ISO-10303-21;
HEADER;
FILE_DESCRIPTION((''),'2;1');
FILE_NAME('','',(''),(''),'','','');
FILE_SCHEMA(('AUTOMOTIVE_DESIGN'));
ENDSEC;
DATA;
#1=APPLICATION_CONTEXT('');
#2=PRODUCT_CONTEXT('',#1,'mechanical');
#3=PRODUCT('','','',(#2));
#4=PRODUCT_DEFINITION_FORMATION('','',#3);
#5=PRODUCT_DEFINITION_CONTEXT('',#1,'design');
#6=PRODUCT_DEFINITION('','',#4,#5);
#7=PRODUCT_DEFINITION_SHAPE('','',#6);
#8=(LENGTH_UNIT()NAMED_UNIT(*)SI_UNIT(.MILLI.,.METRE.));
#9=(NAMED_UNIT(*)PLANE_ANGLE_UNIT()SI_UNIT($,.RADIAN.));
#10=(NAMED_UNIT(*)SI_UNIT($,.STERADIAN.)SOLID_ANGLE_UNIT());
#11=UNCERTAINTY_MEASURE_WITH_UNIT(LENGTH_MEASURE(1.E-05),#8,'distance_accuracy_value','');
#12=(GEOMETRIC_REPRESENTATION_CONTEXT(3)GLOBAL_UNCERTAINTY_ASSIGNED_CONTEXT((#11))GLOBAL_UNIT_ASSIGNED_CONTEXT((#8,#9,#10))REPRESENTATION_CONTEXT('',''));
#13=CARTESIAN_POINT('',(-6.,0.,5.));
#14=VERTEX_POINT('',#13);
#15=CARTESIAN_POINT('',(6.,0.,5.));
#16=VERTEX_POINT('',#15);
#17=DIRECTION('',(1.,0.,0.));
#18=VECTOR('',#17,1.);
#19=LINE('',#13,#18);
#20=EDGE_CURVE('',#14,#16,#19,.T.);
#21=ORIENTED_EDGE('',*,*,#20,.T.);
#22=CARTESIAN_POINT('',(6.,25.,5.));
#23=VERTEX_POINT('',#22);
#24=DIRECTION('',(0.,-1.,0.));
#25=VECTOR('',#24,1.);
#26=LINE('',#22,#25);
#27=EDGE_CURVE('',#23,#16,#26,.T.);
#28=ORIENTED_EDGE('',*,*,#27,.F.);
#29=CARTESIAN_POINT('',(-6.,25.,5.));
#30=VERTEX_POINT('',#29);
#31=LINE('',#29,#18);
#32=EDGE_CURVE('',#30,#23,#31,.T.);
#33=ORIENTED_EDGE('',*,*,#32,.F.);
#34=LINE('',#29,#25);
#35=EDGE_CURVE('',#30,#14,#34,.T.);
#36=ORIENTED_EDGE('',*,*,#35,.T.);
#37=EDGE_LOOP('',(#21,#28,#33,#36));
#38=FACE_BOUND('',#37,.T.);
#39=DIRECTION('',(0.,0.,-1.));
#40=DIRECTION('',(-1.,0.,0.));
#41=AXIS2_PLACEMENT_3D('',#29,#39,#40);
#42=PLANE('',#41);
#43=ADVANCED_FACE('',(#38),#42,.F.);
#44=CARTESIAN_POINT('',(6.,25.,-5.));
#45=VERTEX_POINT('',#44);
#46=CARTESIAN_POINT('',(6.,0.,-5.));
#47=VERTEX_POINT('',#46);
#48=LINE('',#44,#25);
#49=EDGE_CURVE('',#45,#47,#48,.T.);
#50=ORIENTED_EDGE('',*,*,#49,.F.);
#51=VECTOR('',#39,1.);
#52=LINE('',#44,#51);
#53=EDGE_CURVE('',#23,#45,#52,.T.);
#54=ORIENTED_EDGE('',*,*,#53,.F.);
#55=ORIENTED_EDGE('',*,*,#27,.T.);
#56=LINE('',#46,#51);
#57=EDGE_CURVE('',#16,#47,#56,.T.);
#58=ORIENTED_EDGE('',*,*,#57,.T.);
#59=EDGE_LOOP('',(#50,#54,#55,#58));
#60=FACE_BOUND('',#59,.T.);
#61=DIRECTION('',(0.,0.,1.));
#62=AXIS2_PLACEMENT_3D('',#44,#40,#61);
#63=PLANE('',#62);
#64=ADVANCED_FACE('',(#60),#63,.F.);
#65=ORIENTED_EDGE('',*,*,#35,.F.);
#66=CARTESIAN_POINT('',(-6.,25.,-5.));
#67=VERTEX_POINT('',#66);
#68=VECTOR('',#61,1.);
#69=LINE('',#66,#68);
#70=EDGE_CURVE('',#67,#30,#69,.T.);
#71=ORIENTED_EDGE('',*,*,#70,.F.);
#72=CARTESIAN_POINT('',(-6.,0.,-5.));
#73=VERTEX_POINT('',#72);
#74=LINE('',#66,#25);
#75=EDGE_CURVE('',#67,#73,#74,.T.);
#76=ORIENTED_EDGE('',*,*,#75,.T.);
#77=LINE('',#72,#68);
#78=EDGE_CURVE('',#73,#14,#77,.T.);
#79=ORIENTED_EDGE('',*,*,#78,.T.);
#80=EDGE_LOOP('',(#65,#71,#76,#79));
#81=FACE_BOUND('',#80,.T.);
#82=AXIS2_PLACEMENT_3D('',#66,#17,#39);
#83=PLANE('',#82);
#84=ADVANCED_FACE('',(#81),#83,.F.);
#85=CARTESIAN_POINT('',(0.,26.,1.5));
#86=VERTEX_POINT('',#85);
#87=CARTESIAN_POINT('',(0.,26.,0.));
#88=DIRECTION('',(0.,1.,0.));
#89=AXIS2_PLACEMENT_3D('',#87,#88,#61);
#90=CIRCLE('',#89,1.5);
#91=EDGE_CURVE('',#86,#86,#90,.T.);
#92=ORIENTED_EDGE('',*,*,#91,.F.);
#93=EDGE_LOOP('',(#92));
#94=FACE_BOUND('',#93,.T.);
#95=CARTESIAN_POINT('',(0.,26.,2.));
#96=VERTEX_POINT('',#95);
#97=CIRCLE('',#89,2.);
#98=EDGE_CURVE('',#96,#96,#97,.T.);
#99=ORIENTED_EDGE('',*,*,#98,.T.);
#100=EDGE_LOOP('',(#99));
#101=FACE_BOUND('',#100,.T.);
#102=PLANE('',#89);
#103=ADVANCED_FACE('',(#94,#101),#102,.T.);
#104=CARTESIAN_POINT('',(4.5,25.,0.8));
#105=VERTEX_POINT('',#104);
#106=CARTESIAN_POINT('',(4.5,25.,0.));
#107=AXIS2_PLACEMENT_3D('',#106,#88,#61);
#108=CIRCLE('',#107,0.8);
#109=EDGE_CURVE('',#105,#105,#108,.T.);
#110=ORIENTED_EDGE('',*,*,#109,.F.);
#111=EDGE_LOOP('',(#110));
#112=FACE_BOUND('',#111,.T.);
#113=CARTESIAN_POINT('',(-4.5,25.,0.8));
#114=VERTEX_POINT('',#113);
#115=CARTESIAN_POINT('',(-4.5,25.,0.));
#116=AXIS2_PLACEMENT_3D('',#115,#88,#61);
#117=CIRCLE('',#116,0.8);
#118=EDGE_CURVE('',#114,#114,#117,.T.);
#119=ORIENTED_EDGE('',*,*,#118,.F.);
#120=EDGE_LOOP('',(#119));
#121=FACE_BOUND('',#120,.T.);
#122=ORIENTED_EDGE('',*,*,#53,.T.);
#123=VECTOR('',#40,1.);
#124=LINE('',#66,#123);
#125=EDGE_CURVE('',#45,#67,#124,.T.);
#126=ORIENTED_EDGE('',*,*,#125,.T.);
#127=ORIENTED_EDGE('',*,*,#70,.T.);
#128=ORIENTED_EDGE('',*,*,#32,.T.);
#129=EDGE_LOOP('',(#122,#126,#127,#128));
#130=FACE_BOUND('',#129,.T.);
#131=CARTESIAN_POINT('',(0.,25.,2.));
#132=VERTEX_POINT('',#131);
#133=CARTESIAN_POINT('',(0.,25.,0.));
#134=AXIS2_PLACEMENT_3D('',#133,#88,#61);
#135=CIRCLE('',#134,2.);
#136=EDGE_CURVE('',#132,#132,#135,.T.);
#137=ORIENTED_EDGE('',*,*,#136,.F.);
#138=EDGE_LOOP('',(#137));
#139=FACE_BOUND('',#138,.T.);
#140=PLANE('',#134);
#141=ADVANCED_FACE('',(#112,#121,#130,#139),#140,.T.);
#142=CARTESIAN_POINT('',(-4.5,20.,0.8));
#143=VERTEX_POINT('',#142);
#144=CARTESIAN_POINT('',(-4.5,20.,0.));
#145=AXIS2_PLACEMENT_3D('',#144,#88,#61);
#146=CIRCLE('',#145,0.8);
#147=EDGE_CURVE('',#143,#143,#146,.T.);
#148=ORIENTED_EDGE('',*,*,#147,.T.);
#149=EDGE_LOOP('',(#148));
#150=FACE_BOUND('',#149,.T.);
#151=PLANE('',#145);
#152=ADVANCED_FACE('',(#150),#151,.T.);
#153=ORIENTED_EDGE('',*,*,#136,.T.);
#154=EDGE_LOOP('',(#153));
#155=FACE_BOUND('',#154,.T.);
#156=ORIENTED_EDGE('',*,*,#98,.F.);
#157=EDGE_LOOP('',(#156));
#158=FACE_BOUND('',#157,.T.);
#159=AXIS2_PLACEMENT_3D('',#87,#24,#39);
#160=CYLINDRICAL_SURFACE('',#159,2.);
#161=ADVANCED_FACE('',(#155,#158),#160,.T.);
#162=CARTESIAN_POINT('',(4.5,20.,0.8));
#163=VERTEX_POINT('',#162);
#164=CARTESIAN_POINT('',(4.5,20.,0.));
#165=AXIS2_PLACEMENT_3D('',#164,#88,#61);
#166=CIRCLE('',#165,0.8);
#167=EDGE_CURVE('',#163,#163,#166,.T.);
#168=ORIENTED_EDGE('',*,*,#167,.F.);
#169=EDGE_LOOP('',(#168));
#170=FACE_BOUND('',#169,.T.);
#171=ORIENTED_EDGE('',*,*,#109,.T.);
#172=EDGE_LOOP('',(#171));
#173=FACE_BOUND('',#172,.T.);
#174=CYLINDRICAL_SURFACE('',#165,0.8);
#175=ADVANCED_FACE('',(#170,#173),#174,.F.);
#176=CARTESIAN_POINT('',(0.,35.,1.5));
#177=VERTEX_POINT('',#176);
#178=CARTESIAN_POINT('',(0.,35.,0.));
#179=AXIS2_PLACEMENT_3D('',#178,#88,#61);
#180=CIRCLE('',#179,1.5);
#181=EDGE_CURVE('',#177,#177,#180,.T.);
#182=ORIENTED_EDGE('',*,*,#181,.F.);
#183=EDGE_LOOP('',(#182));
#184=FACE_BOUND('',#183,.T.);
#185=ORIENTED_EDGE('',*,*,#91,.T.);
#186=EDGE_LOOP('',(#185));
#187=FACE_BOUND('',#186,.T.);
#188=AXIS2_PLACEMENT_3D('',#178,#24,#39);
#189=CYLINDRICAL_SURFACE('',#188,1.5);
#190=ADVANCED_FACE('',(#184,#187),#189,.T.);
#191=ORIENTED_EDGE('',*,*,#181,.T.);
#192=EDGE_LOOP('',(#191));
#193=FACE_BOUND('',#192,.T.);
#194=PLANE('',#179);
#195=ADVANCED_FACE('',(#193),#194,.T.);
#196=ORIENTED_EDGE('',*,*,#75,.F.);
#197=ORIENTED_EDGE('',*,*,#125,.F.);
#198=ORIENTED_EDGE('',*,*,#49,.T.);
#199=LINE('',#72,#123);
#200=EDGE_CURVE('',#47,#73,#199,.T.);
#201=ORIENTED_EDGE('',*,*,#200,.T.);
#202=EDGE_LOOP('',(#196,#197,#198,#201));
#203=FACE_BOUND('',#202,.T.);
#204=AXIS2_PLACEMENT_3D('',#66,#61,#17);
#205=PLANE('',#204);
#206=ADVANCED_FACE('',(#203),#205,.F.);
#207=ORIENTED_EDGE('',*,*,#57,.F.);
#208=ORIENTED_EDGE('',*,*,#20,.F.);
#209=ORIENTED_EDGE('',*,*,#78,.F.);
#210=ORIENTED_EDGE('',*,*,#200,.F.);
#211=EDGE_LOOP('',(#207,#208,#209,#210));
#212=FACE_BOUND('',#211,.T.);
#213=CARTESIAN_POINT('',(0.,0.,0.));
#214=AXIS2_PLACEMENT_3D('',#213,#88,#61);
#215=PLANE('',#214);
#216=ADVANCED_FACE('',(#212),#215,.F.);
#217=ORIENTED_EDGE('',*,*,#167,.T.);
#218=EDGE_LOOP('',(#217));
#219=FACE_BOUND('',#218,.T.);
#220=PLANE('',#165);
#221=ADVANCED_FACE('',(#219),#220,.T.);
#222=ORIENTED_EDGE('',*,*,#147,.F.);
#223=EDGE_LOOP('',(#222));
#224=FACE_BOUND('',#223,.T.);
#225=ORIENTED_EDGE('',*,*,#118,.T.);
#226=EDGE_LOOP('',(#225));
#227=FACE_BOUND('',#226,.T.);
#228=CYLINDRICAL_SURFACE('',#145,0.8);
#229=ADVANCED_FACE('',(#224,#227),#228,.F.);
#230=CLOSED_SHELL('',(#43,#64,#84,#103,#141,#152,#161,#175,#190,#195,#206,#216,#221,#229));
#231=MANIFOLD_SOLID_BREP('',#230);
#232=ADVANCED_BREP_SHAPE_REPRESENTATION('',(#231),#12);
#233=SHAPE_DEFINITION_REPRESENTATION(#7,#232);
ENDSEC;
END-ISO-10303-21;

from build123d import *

# Parameters (mm, degrees)
SKETCH_1_W          = 12
SKETCH_1_H          = 10
EXTRUDE_1_DEPTH     = 25
SKETCH_2_R          = 2
EXTRUDE_2_DEPTH     = 1
SKETCH_3_R          = 1.5
EXTRUDE_3_DEPTH     = 9
SKETCH_4_R          = 0.8
CUT_EXTRUDE_1_DEPTH = 5


with BuildPart() as part:
    # 草图1 → 凸台-拉伸1 (new body)
    with BuildSketch(Plane(origin=(0, 0, 0), x_dir=(1, 0, 0), z_dir=(0, 1, 0))):
        Rectangle(SKETCH_1_W, SKETCH_1_H)
    extrude(amount=EXTRUDE_1_DEPTH)

    # 草图2 → 凸台-拉伸2 (add)
    with BuildSketch(Plane(origin=(0, 25, 0), x_dir=(1, 0, 0), z_dir=(0, 1, 0))):
        with Locations(Location((0, 0, 0), (0, 0, 270))):
            Circle(SKETCH_2_R)
    extrude(amount=EXTRUDE_2_DEPTH)

    # 草图3 → 凸台-拉伸3 (add)
    with BuildSketch(Plane(origin=(0, 26, 0), x_dir=(1, 0, 0), z_dir=(0, 1, 0))):
        with Locations(Location((0, 0, 0), (0, 0, 270))):
            Circle(SKETCH_3_R)
    extrude(amount=EXTRUDE_3_DEPTH)

    # 草图4 → 切除-拉伸1 (cut)
    with BuildSketch(Plane(origin=(0, 25, 0), x_dir=(1, 0, 0), z_dir=(0, 1, 0))):
        with Locations(Location((-4.5, 0, 0), (0, 0, 270))):
            Circle(SKETCH_4_R)
        with Locations(Location((4.5, 0, 0), (0, 0, 270))):
            Circle(SKETCH_4_R)
    extrude(amount=-CUT_EXTRUDE_1_DEPTH, mode=Mode.SUBTRACT)


solid = part.part
